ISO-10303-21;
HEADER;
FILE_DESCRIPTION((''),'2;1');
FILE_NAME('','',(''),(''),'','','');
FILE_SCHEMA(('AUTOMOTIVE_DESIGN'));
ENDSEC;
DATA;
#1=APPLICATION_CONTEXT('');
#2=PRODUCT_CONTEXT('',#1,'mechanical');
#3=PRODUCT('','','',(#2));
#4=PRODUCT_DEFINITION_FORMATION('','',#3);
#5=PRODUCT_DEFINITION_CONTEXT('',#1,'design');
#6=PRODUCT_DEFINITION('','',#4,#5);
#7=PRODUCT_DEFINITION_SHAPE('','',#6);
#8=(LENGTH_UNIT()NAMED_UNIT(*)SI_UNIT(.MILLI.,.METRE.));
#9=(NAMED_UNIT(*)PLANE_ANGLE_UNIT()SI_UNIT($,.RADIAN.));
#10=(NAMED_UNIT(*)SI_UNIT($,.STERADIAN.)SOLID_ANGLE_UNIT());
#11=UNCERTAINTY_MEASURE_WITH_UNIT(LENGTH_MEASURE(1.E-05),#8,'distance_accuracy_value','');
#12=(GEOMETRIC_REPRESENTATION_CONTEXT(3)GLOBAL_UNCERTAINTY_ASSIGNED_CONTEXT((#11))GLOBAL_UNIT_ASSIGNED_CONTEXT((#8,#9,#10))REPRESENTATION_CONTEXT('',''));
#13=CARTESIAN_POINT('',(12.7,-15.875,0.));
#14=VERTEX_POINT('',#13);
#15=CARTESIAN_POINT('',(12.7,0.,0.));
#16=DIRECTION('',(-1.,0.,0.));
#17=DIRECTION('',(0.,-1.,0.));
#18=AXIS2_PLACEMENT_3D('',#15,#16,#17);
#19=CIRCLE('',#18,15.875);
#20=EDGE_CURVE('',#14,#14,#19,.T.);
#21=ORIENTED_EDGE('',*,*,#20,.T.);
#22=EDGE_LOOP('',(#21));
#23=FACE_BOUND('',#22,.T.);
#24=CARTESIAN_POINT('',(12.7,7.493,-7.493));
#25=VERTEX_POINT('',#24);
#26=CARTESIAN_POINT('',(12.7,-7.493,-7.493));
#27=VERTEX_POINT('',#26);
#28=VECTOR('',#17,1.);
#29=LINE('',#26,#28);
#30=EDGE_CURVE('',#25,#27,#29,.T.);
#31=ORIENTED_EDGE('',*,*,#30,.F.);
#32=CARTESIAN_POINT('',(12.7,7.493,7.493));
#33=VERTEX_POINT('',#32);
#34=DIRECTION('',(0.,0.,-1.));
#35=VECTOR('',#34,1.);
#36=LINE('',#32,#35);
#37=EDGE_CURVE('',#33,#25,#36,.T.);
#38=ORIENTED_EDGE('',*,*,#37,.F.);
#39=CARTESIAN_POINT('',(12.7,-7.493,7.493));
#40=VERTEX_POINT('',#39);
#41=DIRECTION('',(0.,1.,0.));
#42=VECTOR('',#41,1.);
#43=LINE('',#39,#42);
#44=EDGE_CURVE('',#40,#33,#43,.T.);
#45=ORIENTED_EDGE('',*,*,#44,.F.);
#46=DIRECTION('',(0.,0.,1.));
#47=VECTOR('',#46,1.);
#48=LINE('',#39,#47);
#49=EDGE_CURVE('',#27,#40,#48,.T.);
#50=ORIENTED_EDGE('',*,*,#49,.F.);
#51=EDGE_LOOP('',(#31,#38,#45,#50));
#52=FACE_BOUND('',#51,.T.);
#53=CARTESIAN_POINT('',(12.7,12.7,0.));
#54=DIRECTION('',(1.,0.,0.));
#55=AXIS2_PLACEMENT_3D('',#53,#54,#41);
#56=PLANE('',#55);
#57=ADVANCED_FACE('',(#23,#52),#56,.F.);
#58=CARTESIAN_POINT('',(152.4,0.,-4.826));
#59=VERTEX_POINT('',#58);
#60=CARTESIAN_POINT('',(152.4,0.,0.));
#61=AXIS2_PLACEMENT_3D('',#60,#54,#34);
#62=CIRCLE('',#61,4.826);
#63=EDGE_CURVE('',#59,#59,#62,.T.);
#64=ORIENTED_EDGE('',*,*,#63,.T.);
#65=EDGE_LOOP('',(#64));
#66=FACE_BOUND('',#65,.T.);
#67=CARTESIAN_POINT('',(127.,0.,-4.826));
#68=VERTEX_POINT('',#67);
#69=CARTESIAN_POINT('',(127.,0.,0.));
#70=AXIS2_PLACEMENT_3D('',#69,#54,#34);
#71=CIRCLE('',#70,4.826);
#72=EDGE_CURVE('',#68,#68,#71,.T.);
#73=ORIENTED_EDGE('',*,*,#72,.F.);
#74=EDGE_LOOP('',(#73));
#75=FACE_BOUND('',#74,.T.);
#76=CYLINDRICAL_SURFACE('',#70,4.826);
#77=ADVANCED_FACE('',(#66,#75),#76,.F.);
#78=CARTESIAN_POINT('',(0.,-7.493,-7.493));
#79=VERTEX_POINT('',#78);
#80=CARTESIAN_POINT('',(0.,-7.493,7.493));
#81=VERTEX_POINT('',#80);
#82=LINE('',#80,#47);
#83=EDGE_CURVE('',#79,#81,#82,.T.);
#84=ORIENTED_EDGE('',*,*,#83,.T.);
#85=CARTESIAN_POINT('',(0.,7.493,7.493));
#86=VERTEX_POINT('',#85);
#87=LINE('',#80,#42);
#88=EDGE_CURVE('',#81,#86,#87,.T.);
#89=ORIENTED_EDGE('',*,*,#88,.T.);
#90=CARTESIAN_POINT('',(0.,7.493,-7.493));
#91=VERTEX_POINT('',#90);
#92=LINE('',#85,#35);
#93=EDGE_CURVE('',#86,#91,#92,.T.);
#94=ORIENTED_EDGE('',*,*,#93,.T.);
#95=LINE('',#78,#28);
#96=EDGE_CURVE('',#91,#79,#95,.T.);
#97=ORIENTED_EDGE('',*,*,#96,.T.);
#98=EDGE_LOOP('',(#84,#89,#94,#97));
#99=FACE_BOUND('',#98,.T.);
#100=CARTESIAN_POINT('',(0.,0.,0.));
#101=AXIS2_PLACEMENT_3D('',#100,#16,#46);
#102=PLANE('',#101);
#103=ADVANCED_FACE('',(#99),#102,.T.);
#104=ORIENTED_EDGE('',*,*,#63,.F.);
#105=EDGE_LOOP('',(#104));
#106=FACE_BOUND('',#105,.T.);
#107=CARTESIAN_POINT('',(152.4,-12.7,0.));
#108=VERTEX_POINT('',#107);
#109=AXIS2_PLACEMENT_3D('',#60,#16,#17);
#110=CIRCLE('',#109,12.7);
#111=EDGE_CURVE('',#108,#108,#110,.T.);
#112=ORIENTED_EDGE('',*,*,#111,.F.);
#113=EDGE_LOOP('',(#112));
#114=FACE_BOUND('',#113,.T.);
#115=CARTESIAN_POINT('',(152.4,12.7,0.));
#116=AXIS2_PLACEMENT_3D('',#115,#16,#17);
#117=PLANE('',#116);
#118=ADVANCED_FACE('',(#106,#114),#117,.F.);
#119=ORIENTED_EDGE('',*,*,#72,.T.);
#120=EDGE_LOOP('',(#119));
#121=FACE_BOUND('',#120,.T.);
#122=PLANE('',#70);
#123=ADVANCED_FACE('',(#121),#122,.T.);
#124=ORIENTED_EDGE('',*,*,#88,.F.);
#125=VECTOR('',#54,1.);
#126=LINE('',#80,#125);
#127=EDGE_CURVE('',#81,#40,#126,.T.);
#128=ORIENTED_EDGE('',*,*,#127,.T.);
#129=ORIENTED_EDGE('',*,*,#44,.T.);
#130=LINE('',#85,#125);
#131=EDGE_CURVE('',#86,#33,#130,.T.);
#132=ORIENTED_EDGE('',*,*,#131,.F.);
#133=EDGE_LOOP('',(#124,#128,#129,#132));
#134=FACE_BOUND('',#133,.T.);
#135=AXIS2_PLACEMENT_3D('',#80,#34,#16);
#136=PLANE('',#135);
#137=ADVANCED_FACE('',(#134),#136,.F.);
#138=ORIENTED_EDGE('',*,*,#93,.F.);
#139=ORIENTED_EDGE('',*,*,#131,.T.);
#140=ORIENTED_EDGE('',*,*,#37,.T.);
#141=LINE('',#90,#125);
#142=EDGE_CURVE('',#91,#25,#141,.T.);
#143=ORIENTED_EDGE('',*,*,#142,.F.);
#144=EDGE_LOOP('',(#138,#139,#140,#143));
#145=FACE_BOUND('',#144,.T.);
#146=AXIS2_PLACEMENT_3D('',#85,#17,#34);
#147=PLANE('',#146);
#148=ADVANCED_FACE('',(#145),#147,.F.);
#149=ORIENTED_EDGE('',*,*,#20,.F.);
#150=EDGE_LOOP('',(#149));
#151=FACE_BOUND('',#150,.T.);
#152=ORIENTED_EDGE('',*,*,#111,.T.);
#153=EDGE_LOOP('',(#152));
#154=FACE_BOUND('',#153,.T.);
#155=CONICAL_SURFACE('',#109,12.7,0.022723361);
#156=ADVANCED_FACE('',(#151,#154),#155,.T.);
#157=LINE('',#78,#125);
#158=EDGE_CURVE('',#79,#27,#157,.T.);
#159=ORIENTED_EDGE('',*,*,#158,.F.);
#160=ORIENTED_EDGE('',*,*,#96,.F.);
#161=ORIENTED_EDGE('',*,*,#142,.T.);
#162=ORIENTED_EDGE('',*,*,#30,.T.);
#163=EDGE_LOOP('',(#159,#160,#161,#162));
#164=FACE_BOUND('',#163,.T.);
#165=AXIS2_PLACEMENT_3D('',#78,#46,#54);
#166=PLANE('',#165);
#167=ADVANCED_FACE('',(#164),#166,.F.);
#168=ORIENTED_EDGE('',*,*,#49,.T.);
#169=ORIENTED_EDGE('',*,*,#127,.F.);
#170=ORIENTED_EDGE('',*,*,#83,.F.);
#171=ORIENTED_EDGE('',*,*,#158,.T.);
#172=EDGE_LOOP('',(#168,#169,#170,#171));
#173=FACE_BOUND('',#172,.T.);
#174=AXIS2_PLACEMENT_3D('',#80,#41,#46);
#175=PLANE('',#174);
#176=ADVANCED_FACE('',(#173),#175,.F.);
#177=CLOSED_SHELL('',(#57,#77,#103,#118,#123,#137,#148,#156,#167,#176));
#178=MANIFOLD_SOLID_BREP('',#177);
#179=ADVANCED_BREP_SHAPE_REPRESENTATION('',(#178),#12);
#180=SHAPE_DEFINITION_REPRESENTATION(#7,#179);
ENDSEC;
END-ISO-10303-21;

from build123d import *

# Parameters (mm, degrees)
SKETCH2_R           = 4.826
CUT_EXTRUDE1_DEPTH  = 25.4
SKETCH3_W           = 14.986
SKETCH3_H           = 14.986
BOSS_EXTRUDE1_DEPTH = 12.7


with BuildPart() as part:
    # Sketch1 → Revolve1 (revolve)
    with BuildSketch(Plane.XY):
        Polygon((12.7, 12.7), (12.7, 15.875), (152.4, 12.7), (152.4, 0), (12.7, 0), align=None)
    revolve(axis=Axis((12.7, 0, 0), (1, 0, 0)))

    # Sketch2 → Cut-Extrude1 (cut)
    with BuildSketch(Plane(origin=(152.4, 0, 0), x_dir=(0, 0, -1), z_dir=(1, 0, 0))):
        Circle(SKETCH2_R)
    extrude(amount=-CUT_EXTRUDE1_DEPTH, mode=Mode.SUBTRACT)

    # Sketch3 → Boss-Extrude1 (add)
    with BuildSketch(Plane.ZY.offset(-12.7)):
        Rectangle(SKETCH3_W, SKETCH3_H)
    extrude(amount=BOSS_EXTRUDE1_DEPTH)


solid = part.part
